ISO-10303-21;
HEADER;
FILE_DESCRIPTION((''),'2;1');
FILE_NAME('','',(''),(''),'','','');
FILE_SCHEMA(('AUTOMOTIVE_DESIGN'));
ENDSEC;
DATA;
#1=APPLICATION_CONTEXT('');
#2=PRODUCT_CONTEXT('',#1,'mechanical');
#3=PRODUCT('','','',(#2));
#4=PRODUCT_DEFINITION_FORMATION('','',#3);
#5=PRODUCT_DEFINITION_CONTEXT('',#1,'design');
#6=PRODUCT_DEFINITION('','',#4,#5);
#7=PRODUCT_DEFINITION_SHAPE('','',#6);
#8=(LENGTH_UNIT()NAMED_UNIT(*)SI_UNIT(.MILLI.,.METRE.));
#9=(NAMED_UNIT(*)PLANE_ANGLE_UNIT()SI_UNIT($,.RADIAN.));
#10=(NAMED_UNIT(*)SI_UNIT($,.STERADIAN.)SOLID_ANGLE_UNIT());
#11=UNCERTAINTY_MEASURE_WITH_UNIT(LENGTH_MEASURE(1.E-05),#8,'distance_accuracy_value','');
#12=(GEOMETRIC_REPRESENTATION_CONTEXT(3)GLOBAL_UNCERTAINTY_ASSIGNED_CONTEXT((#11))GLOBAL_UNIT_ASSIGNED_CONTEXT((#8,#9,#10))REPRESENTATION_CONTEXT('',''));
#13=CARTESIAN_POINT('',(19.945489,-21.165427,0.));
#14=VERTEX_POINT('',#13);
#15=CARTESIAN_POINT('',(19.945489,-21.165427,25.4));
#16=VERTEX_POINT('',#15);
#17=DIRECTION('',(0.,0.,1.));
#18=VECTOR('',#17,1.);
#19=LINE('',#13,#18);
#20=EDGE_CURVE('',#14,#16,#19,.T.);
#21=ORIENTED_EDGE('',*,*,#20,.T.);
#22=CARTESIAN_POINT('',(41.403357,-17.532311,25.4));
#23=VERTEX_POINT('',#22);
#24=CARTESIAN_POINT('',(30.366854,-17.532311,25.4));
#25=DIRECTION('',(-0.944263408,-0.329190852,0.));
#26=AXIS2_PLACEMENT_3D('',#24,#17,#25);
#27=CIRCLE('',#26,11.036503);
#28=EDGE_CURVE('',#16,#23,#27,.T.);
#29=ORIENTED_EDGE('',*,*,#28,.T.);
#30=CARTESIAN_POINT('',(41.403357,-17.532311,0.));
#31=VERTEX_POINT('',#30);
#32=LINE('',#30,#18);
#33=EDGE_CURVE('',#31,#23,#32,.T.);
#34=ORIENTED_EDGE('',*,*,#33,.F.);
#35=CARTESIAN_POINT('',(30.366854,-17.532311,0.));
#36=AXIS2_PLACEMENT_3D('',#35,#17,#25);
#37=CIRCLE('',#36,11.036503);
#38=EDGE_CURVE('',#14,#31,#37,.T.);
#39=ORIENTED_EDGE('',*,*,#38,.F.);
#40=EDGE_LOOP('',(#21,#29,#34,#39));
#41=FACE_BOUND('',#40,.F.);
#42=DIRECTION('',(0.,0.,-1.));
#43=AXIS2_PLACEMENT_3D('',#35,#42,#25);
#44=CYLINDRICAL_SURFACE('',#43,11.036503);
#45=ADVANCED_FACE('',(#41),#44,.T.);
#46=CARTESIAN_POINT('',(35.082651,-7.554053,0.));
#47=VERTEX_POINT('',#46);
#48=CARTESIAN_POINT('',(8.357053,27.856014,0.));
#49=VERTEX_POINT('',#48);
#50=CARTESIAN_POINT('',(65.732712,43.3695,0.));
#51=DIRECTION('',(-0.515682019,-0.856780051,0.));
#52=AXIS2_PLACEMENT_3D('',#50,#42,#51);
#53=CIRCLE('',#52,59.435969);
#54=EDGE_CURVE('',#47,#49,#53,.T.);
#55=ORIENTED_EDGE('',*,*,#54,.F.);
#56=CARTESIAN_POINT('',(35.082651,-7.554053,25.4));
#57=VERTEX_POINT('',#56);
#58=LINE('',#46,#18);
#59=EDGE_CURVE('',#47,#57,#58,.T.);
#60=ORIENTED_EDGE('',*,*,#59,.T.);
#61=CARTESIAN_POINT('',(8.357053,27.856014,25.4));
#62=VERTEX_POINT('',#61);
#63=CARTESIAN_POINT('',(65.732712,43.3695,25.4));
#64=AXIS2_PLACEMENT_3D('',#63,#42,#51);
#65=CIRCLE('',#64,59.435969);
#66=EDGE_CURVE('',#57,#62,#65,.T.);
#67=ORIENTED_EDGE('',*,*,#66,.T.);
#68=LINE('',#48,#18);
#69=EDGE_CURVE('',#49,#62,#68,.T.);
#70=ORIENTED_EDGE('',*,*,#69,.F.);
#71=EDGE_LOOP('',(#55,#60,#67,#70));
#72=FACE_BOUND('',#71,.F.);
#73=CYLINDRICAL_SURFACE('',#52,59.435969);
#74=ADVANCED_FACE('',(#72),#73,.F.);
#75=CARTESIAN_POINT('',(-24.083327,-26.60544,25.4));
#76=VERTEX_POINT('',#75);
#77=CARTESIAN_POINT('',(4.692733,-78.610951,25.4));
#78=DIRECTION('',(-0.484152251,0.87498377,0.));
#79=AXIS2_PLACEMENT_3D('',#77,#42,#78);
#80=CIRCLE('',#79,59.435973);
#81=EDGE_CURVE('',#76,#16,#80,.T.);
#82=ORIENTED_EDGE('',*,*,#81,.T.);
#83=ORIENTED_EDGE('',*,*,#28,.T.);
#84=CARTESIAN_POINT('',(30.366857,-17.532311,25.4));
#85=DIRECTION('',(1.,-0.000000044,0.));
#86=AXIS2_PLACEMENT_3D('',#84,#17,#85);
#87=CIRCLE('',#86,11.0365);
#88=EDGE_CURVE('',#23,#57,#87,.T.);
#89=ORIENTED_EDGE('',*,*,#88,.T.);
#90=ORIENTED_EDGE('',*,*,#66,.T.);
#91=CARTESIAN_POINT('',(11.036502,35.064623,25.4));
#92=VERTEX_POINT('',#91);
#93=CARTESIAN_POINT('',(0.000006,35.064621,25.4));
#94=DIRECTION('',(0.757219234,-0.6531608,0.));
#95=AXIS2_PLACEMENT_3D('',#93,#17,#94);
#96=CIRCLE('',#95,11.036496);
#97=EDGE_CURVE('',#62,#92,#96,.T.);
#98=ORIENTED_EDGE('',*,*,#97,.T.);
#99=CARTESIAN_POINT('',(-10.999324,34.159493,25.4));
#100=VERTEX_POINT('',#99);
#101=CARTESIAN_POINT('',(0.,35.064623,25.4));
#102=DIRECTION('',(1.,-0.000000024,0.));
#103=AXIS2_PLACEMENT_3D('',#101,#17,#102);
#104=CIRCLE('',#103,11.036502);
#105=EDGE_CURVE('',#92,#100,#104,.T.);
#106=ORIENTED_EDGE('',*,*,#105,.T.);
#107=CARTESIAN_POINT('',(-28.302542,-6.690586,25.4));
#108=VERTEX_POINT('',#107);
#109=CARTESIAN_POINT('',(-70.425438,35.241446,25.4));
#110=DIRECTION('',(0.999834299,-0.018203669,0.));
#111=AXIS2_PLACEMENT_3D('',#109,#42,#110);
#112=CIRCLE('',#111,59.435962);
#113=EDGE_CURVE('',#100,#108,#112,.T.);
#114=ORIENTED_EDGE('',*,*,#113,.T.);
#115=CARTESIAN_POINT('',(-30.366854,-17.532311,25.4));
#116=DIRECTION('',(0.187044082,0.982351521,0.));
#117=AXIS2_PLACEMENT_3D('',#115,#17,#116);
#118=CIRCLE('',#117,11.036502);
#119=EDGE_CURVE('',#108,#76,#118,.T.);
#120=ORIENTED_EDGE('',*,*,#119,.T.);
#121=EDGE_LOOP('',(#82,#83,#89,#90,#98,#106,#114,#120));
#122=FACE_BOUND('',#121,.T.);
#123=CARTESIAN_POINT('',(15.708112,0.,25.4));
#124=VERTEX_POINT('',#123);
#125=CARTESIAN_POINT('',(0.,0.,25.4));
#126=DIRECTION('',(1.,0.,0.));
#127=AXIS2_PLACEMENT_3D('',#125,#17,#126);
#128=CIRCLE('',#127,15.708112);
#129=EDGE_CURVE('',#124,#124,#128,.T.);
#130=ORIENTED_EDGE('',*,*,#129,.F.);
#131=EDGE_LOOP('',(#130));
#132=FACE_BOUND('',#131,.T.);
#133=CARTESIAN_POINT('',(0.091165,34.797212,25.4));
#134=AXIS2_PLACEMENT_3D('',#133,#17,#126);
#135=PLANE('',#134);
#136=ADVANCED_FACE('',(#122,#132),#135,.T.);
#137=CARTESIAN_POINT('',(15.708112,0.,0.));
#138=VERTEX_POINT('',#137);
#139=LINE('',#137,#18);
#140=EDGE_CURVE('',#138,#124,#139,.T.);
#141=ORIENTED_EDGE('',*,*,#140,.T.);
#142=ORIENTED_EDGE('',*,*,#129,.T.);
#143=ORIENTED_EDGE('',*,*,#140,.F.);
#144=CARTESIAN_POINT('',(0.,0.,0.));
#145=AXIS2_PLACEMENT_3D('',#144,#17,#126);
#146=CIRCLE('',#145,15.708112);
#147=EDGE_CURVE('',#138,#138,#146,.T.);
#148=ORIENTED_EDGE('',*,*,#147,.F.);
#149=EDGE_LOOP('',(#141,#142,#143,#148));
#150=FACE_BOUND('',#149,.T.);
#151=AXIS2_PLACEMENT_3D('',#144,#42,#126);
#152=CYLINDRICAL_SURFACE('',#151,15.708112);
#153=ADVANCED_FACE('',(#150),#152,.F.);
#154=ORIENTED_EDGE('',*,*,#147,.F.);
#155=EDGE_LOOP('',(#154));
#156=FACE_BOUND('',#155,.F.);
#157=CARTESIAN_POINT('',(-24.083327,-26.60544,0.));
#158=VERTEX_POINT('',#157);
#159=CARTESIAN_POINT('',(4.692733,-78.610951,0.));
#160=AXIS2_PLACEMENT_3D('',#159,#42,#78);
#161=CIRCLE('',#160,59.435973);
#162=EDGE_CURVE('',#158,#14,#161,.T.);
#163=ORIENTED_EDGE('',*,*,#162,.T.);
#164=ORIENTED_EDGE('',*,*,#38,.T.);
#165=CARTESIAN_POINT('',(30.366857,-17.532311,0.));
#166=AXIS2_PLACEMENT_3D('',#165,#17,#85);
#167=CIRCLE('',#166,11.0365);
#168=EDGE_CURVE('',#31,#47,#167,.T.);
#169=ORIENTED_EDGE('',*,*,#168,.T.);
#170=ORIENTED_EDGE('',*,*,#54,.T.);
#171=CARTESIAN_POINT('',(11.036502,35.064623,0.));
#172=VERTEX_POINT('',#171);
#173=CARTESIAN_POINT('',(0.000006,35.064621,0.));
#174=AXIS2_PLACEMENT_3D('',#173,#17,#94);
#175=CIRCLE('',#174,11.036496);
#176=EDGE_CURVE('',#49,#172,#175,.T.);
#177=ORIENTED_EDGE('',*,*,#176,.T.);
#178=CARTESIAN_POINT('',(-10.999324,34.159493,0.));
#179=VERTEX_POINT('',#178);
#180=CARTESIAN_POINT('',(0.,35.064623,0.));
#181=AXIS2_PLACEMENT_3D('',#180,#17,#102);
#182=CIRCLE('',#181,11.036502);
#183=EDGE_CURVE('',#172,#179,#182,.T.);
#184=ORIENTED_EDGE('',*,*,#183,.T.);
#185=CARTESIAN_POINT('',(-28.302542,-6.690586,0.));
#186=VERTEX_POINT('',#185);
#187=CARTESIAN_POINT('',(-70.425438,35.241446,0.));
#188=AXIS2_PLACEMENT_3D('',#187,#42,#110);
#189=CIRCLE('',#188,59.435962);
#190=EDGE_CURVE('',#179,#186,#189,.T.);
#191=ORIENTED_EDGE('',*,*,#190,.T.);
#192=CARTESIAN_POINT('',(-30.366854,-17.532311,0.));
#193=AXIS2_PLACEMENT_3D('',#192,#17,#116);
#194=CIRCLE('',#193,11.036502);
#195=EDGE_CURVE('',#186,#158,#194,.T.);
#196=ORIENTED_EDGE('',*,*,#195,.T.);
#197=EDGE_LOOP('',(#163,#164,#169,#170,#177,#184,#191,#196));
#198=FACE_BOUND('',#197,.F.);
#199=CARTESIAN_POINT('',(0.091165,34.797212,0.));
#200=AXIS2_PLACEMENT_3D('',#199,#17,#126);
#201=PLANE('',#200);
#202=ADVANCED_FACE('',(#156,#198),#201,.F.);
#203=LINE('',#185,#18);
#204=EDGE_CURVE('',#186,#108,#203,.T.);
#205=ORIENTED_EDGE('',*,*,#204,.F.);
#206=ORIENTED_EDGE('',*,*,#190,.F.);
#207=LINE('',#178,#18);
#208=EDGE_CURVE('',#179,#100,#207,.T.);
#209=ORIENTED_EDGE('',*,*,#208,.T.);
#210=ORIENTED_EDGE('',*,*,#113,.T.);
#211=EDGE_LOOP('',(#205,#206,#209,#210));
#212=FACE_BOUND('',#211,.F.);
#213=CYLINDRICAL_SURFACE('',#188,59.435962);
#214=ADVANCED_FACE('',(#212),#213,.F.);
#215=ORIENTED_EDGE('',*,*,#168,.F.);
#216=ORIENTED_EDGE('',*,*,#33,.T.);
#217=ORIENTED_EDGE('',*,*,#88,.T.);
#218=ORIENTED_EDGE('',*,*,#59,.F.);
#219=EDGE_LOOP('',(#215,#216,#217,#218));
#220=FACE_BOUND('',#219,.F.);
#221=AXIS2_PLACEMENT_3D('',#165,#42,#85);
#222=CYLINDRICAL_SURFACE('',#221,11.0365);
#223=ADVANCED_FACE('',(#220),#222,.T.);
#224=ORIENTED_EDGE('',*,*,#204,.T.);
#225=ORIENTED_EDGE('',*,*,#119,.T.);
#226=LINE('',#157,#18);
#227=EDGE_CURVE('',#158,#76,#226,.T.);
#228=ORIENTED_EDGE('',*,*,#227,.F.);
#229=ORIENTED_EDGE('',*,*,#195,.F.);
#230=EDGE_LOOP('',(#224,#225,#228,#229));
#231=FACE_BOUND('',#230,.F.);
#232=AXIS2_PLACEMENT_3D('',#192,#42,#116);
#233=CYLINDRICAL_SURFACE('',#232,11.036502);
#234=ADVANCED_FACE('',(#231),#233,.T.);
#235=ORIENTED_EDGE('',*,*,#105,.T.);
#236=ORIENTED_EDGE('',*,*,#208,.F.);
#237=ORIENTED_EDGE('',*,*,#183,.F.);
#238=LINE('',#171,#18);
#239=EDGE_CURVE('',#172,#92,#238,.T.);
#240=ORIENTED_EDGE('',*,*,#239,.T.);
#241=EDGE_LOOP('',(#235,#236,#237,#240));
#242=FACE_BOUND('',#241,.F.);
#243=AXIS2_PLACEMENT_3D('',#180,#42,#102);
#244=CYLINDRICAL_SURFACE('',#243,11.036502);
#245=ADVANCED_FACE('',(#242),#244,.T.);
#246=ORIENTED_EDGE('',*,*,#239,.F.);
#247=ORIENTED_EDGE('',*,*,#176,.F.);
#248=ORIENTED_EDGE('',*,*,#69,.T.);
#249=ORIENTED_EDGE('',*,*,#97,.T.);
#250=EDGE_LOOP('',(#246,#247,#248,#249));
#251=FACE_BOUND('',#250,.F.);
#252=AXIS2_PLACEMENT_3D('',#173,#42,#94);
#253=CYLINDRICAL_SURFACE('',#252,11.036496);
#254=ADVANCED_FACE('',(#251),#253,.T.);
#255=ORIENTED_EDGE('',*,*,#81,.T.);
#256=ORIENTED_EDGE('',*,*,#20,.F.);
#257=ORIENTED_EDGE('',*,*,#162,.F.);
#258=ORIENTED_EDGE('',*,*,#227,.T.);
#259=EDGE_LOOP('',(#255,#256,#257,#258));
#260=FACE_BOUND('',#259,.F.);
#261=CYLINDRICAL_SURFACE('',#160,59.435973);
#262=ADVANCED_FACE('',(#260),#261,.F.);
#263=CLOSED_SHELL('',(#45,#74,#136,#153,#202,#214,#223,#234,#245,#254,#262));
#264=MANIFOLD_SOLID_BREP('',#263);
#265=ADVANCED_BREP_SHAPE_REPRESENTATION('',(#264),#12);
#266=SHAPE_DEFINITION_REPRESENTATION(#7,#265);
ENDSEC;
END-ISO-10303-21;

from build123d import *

# Parameters (mm, degrees)
F0_R     = 15.708112
F1_DEPTH = 25.4


with BuildPart() as f1:
    # F0 (on Top) → F1 (new body)
    with BuildSketch(Plane.XY):
        with BuildLine():
            ThreePointArc((8.357053, 27.856014), (10.344975, 31.219382), (11.036502, 35.064623))
            ThreePointArc((11.036502, 35.064623), (-0.452947, 46.091827), (-10.999324, 34.159493))
            ThreePointArc((-10.999324, 34.159493), (-3.417435, 24.570552), (8.357053, 27.856014))
        make_face()
        with BuildLine():
            ThreePointArc((8.357053, 27.856014), (-3.417435, 24.570552), (-10.999324, 34.159493))
            ThreePointArc((-10.999324, 34.159493), (-15.69672, 12.059533), (-28.302542, -6.690586))
            ThreePointArc((-28.302542, -6.690586), (-21.864291, -10.49592), (-19.330352, -17.532311))
            ThreePointArc((-19.330352, -17.532311), (-20.590542, -22.65365), (-24.083327, -26.60544))
            ThreePointArc((-24.083327, -26.60544), (-2.595502, -19.623525), (19.945489, -21.165427))
            ThreePointArc((19.945489, -21.165427), (22.987439, -9.325691), (35.082651, -7.554053))
            ThreePointArc((35.082651, -7.554053), (18.292222, 7.563992), (8.357053, 27.856014))
        make_face()
        Circle(F0_R, mode=Mode.SUBTRACT)
        with BuildLine():
            ThreePointArc((-19.330352, -17.532311), (-21.864291, -10.49592), (-28.302542, -6.690586))
            ThreePointArc((-28.302542, -6.690586), (-41.163704, -19.819761), (-24.083327, -26.60544))
            ThreePointArc((-24.083327, -26.60544), (-20.590542, -22.65365), (-19.330352, -17.532311))
        make_face()
        with BuildLine():
            ThreePointArc((41.403357, -17.532311), (39.69022, -11.626446), (35.082651, -7.554053))
            ThreePointArc((35.082651, -7.554053), (22.987439, -9.325691), (19.945489, -21.165427))
            ThreePointArc((19.945489, -21.165427), (32.209266, -28.413943), (41.403357, -17.532311))
        make_face()
    extrude(amount=F1_DEPTH)


solid = f1.part
